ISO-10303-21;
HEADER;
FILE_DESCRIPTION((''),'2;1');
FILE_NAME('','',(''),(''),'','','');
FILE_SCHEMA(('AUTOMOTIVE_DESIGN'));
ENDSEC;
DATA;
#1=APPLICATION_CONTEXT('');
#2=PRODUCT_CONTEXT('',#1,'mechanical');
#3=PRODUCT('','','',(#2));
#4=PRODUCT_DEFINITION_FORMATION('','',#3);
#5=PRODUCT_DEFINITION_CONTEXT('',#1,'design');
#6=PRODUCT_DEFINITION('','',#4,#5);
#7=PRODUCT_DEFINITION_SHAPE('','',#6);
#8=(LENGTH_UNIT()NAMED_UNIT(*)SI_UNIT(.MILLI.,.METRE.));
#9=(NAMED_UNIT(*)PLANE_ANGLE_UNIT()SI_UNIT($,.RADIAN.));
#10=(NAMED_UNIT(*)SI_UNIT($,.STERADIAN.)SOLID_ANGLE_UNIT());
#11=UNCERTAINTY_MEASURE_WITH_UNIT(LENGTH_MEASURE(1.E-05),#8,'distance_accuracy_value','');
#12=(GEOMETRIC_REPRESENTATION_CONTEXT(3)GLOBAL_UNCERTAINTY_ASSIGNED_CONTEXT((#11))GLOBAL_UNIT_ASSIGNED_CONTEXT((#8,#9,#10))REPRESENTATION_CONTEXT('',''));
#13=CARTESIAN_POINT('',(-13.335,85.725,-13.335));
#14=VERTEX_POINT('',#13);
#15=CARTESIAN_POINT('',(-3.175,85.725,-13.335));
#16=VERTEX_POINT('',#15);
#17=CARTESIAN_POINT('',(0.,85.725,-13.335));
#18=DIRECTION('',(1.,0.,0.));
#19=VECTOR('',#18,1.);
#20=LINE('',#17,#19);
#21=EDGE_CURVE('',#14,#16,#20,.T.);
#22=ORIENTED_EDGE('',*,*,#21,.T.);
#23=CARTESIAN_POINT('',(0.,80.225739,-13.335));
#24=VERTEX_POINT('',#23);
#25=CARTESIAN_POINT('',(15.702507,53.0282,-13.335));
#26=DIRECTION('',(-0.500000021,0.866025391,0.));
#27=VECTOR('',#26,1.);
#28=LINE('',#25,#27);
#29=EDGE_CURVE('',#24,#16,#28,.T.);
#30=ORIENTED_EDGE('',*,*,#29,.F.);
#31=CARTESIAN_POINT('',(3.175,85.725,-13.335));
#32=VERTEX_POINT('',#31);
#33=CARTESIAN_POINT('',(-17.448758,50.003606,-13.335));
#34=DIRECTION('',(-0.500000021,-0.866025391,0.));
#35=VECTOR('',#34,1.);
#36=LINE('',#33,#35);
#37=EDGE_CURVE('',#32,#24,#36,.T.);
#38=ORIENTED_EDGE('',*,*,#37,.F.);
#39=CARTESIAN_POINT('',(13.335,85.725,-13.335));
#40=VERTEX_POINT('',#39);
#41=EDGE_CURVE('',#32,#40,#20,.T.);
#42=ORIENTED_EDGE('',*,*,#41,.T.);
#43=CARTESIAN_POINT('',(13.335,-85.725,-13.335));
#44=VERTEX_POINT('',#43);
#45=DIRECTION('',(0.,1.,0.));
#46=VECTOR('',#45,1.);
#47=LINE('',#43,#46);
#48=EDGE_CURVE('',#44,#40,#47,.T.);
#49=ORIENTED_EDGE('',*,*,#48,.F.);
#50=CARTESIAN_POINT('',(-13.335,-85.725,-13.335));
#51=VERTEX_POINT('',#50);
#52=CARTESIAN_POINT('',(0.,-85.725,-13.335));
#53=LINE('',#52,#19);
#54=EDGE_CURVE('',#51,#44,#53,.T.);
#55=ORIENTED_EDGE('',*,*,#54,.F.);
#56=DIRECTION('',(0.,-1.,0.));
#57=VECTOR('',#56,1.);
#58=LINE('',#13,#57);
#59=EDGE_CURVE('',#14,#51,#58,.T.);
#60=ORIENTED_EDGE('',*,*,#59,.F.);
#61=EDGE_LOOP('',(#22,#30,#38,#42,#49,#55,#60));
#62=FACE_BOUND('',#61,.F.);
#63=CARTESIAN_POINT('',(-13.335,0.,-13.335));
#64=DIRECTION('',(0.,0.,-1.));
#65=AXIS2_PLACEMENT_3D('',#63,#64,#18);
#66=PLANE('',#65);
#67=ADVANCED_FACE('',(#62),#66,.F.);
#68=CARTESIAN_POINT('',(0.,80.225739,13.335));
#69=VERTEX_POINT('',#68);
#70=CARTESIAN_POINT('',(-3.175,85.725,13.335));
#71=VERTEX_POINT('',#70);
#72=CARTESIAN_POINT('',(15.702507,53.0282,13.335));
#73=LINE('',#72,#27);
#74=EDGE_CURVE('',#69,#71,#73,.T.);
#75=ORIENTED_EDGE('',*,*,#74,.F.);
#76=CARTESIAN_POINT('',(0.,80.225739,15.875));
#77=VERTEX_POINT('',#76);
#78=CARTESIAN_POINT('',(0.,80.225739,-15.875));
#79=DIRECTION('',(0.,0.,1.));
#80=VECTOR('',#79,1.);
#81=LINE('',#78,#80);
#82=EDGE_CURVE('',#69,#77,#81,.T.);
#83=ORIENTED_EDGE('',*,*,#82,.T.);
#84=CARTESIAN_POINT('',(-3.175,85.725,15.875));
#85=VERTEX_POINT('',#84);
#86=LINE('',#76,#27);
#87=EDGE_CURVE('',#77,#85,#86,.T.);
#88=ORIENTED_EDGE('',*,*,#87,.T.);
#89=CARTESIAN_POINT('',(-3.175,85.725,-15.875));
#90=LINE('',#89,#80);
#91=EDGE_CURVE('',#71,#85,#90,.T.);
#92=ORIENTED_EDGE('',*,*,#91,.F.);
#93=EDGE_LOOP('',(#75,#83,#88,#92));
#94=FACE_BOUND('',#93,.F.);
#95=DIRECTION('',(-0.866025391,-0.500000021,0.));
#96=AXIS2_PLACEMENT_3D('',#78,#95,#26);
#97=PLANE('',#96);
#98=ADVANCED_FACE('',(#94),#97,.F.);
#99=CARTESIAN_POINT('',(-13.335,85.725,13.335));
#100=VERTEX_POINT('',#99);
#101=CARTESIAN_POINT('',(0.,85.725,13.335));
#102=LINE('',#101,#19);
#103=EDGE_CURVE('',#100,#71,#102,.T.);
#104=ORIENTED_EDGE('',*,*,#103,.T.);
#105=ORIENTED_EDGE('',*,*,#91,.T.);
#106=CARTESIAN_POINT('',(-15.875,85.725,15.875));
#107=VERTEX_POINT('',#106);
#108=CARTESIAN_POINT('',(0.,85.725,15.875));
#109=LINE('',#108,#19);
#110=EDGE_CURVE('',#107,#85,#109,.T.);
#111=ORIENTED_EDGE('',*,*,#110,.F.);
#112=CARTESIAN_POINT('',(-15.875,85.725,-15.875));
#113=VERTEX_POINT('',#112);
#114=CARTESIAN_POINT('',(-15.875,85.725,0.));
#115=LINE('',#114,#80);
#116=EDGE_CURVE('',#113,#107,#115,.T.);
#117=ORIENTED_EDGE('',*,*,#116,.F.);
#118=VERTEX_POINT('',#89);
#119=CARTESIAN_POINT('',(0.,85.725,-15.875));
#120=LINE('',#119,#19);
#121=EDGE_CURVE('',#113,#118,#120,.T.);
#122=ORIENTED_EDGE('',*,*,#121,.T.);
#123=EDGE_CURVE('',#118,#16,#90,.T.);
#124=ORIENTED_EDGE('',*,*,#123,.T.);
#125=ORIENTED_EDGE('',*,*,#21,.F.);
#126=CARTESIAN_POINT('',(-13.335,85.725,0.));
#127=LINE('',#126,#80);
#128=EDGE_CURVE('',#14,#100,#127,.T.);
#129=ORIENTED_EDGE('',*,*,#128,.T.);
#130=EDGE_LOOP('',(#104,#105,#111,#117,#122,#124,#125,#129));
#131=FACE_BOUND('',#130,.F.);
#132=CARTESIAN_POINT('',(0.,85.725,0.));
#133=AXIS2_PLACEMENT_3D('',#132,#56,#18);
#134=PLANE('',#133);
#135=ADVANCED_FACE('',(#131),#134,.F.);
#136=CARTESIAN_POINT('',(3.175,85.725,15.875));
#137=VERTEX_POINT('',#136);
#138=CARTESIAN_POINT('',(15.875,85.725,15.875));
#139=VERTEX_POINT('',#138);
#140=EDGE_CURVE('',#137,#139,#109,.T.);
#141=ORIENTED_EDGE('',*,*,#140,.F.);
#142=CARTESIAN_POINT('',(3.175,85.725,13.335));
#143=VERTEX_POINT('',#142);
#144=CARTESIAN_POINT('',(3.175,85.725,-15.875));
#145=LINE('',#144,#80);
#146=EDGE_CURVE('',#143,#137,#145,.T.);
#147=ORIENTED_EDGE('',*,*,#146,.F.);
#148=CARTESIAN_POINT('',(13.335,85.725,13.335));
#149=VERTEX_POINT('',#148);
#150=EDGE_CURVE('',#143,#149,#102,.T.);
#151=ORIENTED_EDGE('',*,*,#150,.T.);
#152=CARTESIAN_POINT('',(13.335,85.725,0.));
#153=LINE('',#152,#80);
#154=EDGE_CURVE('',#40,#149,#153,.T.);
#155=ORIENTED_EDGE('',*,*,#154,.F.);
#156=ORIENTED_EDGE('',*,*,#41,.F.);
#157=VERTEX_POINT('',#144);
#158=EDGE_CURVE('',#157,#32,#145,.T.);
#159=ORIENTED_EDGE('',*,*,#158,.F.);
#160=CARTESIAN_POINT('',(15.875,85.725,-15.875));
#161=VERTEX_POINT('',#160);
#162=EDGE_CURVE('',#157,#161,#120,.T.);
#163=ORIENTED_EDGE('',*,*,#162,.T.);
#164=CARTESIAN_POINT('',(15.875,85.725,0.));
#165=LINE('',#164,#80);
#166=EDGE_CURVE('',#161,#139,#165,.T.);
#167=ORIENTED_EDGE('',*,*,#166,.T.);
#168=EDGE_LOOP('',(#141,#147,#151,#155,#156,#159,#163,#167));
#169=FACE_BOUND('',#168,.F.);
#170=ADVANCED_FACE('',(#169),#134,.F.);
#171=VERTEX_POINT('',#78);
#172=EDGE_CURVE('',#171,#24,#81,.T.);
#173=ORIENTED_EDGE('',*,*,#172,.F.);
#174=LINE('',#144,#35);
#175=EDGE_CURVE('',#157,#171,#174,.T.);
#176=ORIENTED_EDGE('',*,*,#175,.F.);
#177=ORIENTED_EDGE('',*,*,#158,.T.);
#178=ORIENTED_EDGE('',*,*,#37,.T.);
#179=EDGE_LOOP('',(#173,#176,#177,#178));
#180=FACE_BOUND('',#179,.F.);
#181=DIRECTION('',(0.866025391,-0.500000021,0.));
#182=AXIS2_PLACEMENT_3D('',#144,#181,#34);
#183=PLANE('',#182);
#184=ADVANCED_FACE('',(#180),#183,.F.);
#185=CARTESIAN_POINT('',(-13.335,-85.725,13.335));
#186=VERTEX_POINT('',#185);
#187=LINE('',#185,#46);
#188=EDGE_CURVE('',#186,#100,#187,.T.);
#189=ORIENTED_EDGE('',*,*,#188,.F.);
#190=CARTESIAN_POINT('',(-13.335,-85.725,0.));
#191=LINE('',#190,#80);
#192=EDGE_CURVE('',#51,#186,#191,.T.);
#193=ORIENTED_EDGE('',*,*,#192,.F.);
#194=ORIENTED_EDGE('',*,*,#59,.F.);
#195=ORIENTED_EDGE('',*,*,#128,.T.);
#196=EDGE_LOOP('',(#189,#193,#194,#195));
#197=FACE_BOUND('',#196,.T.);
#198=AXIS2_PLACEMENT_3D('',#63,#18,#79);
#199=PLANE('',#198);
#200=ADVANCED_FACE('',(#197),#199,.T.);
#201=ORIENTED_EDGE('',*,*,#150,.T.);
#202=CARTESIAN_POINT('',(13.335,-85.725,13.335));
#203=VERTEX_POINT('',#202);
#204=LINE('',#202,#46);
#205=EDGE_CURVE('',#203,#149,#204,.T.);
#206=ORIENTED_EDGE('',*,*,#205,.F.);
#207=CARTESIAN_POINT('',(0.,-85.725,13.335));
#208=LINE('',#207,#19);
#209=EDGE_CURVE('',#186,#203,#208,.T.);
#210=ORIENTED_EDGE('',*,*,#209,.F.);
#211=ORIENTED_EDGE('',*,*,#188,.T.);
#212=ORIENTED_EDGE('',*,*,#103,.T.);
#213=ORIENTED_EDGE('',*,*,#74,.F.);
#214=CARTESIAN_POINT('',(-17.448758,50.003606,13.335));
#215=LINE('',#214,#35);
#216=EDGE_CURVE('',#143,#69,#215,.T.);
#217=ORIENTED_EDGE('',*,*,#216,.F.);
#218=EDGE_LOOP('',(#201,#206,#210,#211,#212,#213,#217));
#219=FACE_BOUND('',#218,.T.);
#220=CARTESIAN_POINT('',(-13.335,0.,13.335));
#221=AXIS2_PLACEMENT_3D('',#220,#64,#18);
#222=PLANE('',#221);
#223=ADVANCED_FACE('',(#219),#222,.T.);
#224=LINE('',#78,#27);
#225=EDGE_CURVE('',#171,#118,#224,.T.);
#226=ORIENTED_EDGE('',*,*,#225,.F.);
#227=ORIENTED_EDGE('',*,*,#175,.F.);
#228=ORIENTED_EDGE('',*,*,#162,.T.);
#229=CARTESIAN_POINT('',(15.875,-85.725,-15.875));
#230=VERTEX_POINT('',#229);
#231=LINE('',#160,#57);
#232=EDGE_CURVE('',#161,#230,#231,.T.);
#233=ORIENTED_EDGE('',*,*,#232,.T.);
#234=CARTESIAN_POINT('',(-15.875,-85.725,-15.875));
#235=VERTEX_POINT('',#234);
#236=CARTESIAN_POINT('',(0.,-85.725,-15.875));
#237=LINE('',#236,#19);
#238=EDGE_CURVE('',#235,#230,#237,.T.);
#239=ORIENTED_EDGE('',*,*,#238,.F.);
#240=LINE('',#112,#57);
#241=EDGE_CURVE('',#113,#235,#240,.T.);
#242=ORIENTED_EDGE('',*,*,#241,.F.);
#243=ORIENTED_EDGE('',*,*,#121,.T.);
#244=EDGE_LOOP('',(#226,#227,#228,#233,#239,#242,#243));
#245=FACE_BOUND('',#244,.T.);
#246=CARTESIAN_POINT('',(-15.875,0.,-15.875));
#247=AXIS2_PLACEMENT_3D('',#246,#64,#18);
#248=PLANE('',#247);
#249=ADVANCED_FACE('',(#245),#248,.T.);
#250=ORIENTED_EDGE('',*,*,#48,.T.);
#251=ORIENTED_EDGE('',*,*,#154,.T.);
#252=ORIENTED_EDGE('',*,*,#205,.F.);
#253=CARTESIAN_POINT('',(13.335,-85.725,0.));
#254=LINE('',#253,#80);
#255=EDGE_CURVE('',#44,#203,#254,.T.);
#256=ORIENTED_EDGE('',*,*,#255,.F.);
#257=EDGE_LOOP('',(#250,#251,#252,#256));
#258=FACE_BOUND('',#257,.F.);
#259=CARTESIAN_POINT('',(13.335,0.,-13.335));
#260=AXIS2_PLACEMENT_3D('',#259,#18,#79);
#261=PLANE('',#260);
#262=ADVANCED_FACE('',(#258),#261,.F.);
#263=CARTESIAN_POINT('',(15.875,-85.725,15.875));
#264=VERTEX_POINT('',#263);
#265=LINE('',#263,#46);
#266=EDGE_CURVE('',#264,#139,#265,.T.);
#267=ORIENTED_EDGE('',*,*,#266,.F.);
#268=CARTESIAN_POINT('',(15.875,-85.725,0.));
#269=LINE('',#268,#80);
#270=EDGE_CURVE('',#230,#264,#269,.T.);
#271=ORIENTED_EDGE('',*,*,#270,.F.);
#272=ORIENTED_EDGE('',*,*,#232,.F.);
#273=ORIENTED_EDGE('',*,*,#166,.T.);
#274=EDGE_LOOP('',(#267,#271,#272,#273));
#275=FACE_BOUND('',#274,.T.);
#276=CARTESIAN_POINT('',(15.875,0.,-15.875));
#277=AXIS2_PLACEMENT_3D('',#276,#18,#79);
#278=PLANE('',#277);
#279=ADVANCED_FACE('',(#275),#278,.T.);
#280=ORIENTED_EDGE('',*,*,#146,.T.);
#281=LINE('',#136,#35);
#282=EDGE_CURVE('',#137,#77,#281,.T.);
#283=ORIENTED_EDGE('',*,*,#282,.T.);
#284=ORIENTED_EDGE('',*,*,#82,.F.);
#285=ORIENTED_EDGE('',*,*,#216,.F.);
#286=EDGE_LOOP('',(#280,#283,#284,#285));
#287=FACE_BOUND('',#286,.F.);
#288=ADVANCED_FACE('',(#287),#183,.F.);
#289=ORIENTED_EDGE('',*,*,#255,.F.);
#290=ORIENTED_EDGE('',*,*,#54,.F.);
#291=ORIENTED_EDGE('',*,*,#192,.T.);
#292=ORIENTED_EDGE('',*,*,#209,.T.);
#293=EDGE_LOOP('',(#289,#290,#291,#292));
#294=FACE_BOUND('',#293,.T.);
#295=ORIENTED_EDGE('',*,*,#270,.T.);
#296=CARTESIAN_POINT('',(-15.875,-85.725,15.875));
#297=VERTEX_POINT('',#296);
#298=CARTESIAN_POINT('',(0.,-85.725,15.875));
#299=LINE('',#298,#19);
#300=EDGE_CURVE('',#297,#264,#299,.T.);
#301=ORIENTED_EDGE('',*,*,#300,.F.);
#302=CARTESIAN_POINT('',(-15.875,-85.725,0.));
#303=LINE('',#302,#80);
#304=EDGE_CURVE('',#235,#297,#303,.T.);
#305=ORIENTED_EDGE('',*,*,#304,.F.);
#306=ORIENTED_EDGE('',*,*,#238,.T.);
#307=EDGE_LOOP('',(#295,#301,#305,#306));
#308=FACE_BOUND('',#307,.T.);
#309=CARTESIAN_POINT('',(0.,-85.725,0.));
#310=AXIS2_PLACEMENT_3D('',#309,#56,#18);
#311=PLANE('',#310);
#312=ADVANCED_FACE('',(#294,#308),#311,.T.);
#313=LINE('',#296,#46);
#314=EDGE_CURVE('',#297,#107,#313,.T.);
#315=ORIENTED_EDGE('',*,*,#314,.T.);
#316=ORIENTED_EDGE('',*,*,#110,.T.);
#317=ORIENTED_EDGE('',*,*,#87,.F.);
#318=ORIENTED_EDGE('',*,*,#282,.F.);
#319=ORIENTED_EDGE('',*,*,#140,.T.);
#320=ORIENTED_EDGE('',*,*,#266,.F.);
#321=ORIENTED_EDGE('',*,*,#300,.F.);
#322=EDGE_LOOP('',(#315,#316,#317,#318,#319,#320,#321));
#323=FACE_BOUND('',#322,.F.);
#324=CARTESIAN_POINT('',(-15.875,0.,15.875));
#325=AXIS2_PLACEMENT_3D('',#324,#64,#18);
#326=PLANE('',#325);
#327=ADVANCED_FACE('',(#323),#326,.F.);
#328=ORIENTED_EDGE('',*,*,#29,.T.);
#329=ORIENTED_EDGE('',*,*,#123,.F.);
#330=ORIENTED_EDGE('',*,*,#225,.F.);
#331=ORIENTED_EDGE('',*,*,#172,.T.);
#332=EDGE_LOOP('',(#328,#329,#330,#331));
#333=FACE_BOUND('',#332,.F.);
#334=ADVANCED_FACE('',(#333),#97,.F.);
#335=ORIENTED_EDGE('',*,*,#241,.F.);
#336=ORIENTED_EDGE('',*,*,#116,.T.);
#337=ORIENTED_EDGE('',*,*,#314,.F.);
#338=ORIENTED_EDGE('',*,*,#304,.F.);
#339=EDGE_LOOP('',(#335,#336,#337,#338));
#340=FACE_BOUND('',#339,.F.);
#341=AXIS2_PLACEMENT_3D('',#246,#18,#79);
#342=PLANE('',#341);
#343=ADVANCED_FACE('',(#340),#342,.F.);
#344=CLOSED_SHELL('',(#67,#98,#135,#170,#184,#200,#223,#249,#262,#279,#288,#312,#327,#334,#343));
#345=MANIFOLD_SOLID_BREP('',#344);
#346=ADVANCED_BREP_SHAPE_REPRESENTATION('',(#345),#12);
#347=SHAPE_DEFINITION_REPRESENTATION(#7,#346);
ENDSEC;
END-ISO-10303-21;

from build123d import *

# Parameters (mm, degrees)
F0_W     = 31.75
F0_H     = 31.75
F0_W_2   = 26.67
F0_H_2   = 26.67
F1_DEPTH = 85.725
F3_DEPTH = 31.75


with BuildPart() as f1:
    # F0 (on Front) → F1 (new body, symmetric)
    with BuildSketch(Plane.XZ):
        Rectangle(F0_W, F0_H)
        Rectangle(F0_W_2, F0_H_2, mode=Mode.SUBTRACT)
    extrude(amount=F1_DEPTH, both=True)

    # F2 (on face) → F3 (cut, through all)
    with BuildSketch(Plane(origin=(0, 0, -15.875), x_dir=(1, 0, 0), z_dir=(0, 0, -1))):
        Polygon((0, -80.225739), (-3.175, -85.725), (3.175, -85.725), align=None)
    extrude(amount=-F3_DEPTH, mode=Mode.SUBTRACT)


solid = f1.part
